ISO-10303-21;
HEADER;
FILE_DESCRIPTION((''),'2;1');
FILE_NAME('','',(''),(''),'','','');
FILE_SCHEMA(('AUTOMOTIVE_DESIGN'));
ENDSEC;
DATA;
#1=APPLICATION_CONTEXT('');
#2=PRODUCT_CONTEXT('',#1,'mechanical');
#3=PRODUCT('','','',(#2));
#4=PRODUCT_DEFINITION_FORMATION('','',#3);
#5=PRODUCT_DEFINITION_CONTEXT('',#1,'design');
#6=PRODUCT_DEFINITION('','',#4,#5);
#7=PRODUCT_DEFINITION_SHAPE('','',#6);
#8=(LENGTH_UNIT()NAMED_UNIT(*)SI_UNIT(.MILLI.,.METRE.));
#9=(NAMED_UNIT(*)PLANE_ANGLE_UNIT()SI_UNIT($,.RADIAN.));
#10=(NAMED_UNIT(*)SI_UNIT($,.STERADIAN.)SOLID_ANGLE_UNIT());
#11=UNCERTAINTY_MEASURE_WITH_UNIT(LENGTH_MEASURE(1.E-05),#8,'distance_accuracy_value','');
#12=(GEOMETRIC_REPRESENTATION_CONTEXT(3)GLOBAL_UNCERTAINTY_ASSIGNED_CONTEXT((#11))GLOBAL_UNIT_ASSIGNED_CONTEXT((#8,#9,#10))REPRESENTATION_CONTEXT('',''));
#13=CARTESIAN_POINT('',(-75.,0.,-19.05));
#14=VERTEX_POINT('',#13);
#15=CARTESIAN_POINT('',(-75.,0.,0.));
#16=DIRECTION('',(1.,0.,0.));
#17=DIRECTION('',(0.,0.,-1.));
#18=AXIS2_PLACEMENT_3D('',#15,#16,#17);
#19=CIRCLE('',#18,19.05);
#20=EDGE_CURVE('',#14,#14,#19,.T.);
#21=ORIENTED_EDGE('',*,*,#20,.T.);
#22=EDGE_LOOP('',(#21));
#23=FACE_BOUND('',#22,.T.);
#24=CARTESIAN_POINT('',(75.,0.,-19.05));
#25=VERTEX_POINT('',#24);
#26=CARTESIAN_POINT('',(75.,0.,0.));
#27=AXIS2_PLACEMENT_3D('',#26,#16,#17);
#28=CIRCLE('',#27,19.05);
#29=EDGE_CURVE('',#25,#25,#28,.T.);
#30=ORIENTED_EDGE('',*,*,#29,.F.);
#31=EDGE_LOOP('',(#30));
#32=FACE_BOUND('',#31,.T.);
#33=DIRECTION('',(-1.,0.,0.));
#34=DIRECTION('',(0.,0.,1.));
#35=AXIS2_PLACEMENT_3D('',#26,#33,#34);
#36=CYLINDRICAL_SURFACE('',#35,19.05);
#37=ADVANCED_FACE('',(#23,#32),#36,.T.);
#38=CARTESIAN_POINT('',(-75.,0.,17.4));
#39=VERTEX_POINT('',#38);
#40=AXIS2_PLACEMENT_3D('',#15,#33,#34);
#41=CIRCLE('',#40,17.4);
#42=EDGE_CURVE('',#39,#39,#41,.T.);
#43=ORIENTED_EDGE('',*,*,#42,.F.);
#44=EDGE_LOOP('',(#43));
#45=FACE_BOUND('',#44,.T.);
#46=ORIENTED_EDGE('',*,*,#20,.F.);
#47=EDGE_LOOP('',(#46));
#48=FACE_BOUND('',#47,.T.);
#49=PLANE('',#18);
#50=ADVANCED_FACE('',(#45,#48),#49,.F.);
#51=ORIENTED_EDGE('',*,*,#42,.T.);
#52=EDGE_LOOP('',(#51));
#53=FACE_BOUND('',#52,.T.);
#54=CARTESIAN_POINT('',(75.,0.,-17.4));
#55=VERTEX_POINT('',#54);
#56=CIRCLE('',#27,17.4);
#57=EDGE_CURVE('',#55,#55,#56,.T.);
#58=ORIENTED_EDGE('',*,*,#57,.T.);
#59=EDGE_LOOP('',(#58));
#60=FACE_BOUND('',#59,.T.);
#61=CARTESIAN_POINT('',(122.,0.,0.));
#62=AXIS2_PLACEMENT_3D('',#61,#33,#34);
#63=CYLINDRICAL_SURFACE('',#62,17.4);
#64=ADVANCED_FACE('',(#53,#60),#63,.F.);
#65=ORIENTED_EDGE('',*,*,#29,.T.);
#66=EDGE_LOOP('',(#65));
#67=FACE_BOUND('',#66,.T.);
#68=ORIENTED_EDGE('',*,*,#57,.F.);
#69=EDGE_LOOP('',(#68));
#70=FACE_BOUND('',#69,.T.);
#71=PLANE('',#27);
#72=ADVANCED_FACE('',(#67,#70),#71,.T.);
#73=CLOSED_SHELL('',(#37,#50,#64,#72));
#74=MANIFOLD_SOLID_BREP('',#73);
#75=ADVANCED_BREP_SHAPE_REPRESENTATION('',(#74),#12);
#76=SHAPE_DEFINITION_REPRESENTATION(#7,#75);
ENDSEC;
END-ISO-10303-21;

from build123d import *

# Parameters (mm, degrees)
CROQUIS1_R              = 19.05
SALIENTE_EXTRUIR1_DEPTH = 75
CROQUIS2_R              = 17.4
CORTAR_EXTRUIR1_DEPTH   = 197


with BuildPart() as part:
    # Croquis1 → Saliente-Extruir1 (new, symmetric)
    with BuildSketch(Plane(origin=(0, 0, 0), x_dir=(0, 0, -1), z_dir=(1, 0, 0))):
        Circle(CROQUIS1_R)
    extrude(amount=SALIENTE_EXTRUIR1_DEPTH, both=True)

    # Croquis2 → Cortar-Extruir1 (cut)
    with BuildSketch(Plane.ZY.offset(75)):
        Circle(CROQUIS2_R)
    extrude(amount=-CORTAR_EXTRUIR1_DEPTH, mode=Mode.SUBTRACT)


solid = part.part
